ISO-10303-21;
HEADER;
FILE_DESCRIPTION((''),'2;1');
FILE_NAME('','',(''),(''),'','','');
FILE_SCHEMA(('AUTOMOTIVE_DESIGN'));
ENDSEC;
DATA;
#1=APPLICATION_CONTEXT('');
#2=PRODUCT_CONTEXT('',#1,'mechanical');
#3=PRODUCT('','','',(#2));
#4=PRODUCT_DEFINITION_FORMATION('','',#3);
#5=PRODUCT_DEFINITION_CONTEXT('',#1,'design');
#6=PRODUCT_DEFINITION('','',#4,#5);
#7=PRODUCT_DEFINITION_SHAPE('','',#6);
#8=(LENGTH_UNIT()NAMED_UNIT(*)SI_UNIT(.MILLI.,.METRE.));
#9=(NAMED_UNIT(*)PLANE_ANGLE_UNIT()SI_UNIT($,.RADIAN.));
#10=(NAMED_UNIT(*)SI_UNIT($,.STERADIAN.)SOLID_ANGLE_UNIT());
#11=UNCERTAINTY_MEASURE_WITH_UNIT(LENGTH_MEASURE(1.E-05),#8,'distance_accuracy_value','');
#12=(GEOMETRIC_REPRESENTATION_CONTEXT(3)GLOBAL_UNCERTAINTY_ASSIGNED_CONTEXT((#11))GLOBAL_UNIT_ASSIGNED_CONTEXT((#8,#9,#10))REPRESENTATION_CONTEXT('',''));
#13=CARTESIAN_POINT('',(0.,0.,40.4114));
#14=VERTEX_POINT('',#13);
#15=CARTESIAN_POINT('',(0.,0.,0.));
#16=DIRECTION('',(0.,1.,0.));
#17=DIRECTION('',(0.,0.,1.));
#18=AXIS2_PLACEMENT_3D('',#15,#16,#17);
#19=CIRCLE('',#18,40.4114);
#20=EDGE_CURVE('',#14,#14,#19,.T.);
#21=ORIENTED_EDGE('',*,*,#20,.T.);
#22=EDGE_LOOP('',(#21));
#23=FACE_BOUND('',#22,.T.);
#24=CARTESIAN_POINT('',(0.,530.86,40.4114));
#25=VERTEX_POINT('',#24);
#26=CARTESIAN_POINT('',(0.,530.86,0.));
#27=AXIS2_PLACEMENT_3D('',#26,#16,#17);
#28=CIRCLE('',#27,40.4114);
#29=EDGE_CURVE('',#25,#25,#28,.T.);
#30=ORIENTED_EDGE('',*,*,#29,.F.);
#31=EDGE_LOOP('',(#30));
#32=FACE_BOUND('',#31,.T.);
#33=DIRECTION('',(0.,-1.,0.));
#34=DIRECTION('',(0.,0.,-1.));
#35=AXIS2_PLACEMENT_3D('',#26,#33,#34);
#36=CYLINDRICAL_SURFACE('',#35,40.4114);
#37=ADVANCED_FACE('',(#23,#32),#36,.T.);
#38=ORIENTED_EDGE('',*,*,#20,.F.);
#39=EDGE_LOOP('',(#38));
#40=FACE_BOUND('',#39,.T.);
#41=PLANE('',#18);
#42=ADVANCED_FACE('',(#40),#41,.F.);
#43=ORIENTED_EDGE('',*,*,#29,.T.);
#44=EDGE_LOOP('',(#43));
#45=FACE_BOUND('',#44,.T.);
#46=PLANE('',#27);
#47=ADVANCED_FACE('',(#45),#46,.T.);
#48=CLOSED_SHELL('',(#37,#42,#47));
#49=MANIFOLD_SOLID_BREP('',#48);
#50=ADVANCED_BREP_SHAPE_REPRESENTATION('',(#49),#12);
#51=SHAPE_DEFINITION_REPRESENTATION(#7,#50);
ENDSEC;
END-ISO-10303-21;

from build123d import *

# Parameters (mm, degrees)
SKETCH1_R           = 40.4114
BOSS_EXTRUDE1_DEPTH = 530.86


with BuildPart() as part:
    # Sketch1 → Boss-Extrude1 (new body)
    with BuildSketch(Plane(origin=(0, 0, 0), x_dir=(1, 0, 0), z_dir=(0, 1, 0))):
        Circle(SKETCH1_R)
    extrude(amount=BOSS_EXTRUDE1_DEPTH)


solid = part.part
